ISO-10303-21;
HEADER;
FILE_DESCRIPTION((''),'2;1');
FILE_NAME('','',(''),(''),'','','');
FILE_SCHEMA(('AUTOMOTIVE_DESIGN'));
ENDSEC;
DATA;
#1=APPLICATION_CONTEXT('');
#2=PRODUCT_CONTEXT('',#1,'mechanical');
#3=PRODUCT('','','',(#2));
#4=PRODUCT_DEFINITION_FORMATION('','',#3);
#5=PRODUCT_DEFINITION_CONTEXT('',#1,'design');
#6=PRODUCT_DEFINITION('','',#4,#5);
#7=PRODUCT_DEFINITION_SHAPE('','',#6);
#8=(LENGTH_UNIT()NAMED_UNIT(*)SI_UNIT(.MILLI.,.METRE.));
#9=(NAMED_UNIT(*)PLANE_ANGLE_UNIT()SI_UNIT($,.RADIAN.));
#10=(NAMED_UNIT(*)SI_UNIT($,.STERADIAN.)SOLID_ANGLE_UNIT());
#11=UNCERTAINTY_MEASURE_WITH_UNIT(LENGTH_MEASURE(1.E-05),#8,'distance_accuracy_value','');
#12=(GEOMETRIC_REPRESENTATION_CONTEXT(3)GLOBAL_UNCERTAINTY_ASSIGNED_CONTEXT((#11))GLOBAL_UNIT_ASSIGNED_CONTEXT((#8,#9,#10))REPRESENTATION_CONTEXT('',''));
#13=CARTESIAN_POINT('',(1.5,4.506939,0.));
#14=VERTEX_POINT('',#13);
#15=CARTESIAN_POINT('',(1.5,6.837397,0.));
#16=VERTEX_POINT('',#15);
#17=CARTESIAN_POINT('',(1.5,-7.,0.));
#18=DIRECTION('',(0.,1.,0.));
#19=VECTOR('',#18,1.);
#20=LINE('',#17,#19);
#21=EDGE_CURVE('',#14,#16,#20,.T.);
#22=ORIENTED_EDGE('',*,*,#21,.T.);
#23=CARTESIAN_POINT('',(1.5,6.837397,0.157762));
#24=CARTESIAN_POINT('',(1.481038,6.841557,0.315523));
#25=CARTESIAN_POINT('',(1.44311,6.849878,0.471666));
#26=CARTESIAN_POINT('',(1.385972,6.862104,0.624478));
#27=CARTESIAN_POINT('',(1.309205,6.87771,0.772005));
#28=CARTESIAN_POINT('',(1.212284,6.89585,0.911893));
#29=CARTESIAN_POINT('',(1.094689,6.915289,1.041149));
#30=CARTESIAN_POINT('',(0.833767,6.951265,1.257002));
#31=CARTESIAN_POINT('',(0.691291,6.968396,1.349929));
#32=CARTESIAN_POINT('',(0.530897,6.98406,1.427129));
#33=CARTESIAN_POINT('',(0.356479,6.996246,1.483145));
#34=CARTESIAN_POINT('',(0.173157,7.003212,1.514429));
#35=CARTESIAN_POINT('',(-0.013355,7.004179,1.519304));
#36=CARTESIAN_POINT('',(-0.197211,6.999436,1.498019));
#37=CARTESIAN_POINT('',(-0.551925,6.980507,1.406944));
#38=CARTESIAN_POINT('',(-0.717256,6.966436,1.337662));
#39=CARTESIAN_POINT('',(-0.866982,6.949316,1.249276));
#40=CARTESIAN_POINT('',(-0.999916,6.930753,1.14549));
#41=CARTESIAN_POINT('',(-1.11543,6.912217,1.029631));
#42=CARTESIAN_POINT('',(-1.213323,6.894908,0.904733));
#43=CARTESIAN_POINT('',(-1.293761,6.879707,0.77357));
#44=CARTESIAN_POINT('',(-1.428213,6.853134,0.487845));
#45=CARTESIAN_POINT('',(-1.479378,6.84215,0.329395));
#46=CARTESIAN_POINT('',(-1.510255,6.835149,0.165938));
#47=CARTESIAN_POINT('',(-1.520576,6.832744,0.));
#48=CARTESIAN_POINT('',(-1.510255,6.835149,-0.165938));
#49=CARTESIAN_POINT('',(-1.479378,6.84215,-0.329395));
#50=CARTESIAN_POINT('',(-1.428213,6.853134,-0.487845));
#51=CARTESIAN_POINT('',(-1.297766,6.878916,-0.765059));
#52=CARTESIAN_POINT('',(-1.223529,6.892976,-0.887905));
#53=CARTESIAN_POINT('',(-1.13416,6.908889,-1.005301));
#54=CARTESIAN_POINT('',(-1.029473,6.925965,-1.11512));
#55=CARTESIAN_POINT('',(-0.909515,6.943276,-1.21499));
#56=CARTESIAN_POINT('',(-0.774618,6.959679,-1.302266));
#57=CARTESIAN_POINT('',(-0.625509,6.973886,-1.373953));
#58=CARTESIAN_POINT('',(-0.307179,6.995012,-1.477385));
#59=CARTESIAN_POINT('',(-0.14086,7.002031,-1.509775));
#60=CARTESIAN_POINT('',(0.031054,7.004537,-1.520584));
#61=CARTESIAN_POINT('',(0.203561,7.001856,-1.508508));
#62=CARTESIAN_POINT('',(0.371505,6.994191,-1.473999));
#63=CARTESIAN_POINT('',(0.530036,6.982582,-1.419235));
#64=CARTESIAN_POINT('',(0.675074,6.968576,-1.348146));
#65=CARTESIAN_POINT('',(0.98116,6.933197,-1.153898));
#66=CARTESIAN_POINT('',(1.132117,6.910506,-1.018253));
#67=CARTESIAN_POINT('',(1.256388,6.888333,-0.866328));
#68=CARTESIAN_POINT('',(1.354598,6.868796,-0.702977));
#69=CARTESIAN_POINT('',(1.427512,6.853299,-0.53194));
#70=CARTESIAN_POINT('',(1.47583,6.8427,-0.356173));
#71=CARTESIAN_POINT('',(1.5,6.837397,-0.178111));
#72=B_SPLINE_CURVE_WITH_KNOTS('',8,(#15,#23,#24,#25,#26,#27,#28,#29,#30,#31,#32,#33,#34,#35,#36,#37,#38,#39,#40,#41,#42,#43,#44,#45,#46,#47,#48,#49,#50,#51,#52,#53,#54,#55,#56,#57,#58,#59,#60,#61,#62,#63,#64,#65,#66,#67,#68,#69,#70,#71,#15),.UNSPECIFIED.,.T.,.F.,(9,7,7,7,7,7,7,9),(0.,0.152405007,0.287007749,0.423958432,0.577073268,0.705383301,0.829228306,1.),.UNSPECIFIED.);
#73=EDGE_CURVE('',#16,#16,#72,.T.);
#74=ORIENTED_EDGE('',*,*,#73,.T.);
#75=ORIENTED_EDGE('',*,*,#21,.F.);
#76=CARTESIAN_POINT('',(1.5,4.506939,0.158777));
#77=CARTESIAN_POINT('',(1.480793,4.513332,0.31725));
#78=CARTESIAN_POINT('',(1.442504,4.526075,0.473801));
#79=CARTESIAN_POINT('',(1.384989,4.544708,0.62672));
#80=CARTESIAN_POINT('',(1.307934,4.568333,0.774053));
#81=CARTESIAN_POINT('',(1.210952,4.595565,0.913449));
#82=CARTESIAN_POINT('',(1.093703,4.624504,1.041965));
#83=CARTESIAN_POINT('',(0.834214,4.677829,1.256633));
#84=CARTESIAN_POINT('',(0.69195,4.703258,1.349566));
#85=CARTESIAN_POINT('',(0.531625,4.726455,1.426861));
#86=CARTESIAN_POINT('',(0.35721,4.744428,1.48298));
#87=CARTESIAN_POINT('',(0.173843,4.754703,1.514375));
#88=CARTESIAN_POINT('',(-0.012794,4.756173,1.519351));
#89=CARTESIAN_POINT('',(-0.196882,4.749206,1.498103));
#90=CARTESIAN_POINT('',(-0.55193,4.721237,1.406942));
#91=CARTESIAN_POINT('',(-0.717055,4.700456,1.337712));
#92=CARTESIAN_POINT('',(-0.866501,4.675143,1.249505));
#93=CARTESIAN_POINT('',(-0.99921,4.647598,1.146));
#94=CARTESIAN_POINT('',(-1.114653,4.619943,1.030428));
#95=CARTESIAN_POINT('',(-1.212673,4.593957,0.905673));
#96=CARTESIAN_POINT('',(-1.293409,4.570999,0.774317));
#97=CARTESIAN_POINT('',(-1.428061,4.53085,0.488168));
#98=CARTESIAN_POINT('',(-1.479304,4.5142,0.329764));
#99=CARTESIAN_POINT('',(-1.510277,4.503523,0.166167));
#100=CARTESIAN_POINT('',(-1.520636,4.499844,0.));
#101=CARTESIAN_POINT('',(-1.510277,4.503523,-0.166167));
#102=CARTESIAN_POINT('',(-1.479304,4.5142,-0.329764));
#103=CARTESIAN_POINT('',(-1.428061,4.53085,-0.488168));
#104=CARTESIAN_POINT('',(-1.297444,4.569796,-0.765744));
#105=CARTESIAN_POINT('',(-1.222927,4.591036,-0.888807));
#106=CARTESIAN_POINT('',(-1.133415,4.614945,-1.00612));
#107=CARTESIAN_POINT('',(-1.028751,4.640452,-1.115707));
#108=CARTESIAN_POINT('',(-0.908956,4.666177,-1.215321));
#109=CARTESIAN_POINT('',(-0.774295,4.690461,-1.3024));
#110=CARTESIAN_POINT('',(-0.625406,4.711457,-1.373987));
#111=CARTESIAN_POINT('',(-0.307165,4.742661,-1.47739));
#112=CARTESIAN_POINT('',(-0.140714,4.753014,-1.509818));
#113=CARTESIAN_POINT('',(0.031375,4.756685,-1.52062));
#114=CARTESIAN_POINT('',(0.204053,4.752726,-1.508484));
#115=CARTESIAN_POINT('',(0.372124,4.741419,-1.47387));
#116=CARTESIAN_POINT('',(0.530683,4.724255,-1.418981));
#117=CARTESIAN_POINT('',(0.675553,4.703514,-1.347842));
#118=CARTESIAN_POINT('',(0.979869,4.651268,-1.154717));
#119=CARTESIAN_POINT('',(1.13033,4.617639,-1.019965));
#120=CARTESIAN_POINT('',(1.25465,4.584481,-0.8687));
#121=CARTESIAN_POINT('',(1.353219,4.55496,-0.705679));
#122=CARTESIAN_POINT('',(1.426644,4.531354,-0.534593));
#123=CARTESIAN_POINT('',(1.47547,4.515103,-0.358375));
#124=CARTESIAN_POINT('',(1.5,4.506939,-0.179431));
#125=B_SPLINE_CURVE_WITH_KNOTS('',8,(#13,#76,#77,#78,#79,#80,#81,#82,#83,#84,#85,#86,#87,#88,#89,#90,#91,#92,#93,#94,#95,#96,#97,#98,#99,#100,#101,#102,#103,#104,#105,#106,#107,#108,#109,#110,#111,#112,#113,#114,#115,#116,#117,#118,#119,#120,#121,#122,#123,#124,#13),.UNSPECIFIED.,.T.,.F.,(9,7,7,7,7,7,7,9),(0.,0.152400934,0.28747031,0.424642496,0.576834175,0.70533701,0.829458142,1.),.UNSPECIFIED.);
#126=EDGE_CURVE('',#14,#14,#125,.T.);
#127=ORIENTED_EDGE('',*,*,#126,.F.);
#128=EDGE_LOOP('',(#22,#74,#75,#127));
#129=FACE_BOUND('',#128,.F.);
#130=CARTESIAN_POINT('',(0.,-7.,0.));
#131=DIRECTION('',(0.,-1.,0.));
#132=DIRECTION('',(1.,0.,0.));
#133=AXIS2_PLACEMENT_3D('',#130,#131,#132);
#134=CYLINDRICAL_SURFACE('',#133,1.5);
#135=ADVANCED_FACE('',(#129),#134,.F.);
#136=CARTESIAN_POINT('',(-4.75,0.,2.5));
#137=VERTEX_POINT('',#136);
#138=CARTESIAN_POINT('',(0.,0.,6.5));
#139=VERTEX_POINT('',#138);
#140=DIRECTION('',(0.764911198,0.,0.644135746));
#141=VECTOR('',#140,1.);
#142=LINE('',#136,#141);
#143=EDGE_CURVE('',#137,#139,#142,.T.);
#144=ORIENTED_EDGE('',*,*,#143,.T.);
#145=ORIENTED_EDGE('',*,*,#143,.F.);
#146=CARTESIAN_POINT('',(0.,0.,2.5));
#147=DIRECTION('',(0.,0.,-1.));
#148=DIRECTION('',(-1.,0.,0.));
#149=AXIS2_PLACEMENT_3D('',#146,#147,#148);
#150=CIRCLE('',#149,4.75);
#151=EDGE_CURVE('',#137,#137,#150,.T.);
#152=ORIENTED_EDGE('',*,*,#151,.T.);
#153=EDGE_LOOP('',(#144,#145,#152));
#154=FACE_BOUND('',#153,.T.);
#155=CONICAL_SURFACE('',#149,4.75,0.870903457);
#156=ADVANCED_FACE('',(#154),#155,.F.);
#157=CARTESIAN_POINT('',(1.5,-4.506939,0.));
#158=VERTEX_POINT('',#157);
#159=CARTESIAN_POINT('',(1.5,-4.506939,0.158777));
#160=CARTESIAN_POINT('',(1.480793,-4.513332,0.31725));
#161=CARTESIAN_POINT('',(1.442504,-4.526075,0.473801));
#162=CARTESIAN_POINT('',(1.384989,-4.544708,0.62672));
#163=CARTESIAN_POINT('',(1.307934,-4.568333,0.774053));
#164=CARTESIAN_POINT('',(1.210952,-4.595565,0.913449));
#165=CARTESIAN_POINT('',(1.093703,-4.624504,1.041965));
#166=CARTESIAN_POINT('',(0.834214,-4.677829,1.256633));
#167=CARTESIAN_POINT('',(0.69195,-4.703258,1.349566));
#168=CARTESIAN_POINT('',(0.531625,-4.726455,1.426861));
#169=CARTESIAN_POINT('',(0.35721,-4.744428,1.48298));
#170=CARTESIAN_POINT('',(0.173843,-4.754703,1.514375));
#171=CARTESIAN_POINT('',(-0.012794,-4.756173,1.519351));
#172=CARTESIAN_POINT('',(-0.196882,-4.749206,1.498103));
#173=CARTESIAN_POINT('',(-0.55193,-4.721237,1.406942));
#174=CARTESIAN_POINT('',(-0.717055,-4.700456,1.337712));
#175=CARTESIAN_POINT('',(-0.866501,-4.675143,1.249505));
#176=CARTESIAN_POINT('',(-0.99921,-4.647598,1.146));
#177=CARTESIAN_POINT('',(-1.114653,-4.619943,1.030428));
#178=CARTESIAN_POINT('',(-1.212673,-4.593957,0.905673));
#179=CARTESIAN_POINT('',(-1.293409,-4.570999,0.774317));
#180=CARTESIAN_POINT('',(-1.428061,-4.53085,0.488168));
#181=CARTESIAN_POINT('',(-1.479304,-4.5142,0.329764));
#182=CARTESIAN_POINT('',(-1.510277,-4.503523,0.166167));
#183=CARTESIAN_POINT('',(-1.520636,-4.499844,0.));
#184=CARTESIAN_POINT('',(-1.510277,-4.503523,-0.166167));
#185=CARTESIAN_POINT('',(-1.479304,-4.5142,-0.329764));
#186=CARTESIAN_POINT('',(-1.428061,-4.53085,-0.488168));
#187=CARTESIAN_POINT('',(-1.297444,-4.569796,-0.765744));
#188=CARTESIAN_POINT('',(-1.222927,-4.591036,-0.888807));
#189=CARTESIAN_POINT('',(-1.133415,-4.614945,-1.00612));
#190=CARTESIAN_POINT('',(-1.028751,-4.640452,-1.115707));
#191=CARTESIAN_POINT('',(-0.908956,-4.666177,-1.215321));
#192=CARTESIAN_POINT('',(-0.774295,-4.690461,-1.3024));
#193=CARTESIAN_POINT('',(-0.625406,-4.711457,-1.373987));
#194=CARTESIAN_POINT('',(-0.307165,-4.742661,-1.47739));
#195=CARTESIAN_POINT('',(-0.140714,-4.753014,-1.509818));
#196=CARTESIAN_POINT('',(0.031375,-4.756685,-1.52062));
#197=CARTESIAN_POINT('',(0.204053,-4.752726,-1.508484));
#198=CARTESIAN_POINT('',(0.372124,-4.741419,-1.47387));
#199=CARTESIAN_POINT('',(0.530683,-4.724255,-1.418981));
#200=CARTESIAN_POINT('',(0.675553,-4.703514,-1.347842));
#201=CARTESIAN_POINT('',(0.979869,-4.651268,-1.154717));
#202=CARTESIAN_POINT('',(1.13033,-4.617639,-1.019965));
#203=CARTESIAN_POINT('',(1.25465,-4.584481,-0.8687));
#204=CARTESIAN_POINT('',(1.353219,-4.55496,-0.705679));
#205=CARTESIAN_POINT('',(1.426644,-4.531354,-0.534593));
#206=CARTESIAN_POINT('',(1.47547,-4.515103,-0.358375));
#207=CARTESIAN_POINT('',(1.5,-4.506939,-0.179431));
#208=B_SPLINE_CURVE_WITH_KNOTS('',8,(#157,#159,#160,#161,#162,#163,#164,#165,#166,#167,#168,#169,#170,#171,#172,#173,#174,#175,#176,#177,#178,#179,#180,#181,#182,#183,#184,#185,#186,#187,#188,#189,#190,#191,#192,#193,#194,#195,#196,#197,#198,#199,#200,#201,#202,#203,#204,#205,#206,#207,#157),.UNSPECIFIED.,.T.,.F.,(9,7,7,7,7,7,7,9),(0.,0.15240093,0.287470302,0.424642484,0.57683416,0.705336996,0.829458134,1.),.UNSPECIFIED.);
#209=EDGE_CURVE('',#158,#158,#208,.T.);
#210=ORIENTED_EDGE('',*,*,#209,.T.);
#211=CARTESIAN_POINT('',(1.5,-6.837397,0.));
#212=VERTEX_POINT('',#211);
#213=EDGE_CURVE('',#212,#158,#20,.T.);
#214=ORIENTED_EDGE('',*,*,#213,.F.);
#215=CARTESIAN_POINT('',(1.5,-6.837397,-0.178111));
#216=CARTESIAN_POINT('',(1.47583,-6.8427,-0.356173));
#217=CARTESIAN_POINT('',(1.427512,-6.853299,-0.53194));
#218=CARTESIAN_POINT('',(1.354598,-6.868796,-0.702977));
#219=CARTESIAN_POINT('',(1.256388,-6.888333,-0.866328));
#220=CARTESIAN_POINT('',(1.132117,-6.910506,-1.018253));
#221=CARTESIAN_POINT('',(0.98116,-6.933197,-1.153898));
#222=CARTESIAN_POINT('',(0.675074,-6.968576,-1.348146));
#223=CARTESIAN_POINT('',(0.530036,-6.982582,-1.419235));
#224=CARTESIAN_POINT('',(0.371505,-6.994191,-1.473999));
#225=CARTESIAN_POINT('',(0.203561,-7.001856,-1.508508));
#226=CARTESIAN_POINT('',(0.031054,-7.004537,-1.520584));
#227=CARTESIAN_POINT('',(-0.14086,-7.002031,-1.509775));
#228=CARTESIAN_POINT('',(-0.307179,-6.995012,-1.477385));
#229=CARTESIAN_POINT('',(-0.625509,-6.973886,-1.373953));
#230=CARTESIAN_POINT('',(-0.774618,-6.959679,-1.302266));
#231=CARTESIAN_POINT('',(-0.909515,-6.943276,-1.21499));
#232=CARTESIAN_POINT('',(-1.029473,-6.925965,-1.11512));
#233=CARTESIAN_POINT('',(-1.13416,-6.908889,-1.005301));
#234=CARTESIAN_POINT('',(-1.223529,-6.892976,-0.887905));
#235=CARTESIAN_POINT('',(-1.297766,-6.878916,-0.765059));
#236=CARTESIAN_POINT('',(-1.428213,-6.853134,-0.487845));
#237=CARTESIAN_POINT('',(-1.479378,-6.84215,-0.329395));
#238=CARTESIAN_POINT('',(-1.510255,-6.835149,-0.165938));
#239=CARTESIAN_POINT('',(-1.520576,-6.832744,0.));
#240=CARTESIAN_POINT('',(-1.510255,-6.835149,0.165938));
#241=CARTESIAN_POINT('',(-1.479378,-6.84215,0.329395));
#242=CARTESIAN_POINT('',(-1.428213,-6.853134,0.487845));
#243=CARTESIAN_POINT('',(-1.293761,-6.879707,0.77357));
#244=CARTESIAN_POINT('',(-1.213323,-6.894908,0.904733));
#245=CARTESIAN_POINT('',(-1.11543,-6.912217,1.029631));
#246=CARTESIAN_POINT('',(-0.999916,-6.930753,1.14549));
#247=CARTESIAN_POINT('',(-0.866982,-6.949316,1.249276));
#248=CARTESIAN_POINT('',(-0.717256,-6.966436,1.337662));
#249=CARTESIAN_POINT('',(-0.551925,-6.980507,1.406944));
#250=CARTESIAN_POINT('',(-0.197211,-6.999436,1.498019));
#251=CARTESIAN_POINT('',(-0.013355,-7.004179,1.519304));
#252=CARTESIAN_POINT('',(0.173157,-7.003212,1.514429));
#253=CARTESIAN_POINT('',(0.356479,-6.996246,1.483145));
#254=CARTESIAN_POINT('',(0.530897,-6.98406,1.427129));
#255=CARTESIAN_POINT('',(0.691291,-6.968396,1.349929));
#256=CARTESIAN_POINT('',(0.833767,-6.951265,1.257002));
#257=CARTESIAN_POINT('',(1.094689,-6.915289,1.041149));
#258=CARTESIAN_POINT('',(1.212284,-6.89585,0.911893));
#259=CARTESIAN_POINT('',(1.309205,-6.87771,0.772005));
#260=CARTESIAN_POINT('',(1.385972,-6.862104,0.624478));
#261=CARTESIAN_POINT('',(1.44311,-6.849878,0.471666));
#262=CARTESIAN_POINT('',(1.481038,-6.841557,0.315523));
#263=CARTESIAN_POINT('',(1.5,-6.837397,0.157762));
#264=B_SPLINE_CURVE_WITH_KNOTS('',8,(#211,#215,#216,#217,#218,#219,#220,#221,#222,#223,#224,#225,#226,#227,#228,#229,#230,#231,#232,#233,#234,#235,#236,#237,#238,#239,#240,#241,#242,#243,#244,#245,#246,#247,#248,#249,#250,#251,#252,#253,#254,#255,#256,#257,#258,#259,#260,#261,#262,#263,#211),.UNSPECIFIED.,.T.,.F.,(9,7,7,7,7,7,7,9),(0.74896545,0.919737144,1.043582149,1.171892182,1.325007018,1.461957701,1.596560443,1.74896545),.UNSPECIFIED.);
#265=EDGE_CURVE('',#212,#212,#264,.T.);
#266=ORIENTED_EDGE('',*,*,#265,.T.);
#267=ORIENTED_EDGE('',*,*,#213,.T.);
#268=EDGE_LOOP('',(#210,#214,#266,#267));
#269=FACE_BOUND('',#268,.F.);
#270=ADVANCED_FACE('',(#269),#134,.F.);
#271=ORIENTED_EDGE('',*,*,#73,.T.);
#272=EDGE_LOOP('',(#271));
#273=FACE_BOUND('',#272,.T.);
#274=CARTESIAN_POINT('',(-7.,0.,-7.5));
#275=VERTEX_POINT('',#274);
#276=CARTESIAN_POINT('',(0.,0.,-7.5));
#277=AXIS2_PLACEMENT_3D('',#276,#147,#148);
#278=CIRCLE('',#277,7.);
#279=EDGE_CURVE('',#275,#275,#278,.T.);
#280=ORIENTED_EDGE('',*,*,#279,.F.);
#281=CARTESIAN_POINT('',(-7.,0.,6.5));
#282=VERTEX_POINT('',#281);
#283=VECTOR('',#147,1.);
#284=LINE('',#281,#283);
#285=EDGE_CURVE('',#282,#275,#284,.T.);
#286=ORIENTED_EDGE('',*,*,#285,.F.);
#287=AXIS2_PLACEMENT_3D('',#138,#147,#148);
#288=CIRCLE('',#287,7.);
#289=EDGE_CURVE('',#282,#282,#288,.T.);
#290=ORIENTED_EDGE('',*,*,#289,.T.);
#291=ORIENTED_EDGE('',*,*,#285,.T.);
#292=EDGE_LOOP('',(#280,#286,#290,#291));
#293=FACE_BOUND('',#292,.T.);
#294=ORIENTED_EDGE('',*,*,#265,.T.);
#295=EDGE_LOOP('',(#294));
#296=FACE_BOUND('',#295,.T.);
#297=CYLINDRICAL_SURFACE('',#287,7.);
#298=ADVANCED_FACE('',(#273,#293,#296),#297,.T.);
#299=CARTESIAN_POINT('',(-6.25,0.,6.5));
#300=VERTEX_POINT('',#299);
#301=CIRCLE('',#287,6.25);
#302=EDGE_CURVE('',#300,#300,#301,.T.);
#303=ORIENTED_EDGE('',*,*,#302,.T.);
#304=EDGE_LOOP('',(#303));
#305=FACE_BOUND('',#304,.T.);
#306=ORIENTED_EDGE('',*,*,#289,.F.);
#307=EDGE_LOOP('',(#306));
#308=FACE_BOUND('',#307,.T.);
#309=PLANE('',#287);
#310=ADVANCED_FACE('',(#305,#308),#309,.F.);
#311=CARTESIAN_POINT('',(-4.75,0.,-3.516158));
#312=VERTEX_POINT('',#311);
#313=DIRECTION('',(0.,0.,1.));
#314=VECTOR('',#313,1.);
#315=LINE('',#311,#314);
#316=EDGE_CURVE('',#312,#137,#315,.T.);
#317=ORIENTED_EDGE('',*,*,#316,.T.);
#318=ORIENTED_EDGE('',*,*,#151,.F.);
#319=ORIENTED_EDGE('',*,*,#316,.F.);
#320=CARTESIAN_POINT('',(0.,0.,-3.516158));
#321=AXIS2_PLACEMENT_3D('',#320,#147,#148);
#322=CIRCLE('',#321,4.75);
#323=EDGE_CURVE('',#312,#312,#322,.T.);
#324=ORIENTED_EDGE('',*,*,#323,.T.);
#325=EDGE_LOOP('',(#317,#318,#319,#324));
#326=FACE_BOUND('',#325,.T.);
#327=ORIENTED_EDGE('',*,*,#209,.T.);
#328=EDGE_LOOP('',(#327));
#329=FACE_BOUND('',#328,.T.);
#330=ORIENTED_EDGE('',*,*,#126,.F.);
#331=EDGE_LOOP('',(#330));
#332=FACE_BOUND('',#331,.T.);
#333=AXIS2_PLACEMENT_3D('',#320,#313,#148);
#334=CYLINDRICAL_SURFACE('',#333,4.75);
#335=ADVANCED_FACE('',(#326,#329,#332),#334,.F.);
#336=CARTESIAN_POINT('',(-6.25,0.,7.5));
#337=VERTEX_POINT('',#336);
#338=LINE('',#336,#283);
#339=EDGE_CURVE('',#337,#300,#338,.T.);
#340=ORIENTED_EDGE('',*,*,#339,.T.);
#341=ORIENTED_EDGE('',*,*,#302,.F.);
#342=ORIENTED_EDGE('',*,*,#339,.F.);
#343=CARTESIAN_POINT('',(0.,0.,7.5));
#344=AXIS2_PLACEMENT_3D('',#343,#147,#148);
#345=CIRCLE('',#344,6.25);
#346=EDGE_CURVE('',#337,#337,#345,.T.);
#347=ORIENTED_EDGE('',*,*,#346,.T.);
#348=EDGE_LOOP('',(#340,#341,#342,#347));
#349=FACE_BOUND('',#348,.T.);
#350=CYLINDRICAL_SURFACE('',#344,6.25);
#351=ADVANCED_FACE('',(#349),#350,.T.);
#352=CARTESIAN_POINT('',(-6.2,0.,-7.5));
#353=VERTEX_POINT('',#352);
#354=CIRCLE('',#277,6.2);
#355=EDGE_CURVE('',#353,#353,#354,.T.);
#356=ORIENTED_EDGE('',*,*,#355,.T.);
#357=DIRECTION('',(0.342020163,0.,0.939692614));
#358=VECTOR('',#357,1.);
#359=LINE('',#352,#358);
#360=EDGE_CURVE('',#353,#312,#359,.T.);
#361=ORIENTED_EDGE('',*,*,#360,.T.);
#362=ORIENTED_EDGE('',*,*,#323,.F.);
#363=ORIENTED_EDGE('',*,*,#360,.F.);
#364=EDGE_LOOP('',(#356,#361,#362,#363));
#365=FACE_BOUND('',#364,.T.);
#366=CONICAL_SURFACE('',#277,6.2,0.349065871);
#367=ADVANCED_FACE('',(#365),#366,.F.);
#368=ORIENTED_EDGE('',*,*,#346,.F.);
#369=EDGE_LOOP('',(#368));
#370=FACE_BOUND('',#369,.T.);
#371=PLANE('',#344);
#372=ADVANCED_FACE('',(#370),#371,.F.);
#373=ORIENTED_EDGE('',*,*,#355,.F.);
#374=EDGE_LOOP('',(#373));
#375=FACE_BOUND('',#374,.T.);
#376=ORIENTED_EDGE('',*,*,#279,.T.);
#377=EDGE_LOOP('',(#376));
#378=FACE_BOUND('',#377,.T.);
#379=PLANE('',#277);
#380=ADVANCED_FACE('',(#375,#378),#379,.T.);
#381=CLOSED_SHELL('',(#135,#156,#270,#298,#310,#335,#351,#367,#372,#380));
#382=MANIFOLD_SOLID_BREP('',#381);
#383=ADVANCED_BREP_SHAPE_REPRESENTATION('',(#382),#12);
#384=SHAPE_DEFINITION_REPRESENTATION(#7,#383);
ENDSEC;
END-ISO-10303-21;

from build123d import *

# Parameters (mm, degrees)
F3_R     = 1.5
F4_DEPTH = 14.001


with BuildPart() as f1:
    # F0 (on Front) → F1 (revolve)
    with BuildSketch(Plane.XZ):
        Polygon((-7, 6.5), (-7, -7.5), (-6.2, -7.5), (-4.75, -3.516158), (-4.75, 2.5), (0, 6.5), (0, 7.5), (-6.25, 7.5), (-6.25, 6.5), align=None)
    revolve(axis=Axis((0, 0, 0.727193), (0, 0, -1)))

    # F3 (on offset) → F4 (cut, through all)
    with BuildSketch(Plane.XZ.offset(7)):
        Circle(F3_R)
    extrude(amount=-F4_DEPTH, mode=Mode.SUBTRACT)


solid = f1.part
